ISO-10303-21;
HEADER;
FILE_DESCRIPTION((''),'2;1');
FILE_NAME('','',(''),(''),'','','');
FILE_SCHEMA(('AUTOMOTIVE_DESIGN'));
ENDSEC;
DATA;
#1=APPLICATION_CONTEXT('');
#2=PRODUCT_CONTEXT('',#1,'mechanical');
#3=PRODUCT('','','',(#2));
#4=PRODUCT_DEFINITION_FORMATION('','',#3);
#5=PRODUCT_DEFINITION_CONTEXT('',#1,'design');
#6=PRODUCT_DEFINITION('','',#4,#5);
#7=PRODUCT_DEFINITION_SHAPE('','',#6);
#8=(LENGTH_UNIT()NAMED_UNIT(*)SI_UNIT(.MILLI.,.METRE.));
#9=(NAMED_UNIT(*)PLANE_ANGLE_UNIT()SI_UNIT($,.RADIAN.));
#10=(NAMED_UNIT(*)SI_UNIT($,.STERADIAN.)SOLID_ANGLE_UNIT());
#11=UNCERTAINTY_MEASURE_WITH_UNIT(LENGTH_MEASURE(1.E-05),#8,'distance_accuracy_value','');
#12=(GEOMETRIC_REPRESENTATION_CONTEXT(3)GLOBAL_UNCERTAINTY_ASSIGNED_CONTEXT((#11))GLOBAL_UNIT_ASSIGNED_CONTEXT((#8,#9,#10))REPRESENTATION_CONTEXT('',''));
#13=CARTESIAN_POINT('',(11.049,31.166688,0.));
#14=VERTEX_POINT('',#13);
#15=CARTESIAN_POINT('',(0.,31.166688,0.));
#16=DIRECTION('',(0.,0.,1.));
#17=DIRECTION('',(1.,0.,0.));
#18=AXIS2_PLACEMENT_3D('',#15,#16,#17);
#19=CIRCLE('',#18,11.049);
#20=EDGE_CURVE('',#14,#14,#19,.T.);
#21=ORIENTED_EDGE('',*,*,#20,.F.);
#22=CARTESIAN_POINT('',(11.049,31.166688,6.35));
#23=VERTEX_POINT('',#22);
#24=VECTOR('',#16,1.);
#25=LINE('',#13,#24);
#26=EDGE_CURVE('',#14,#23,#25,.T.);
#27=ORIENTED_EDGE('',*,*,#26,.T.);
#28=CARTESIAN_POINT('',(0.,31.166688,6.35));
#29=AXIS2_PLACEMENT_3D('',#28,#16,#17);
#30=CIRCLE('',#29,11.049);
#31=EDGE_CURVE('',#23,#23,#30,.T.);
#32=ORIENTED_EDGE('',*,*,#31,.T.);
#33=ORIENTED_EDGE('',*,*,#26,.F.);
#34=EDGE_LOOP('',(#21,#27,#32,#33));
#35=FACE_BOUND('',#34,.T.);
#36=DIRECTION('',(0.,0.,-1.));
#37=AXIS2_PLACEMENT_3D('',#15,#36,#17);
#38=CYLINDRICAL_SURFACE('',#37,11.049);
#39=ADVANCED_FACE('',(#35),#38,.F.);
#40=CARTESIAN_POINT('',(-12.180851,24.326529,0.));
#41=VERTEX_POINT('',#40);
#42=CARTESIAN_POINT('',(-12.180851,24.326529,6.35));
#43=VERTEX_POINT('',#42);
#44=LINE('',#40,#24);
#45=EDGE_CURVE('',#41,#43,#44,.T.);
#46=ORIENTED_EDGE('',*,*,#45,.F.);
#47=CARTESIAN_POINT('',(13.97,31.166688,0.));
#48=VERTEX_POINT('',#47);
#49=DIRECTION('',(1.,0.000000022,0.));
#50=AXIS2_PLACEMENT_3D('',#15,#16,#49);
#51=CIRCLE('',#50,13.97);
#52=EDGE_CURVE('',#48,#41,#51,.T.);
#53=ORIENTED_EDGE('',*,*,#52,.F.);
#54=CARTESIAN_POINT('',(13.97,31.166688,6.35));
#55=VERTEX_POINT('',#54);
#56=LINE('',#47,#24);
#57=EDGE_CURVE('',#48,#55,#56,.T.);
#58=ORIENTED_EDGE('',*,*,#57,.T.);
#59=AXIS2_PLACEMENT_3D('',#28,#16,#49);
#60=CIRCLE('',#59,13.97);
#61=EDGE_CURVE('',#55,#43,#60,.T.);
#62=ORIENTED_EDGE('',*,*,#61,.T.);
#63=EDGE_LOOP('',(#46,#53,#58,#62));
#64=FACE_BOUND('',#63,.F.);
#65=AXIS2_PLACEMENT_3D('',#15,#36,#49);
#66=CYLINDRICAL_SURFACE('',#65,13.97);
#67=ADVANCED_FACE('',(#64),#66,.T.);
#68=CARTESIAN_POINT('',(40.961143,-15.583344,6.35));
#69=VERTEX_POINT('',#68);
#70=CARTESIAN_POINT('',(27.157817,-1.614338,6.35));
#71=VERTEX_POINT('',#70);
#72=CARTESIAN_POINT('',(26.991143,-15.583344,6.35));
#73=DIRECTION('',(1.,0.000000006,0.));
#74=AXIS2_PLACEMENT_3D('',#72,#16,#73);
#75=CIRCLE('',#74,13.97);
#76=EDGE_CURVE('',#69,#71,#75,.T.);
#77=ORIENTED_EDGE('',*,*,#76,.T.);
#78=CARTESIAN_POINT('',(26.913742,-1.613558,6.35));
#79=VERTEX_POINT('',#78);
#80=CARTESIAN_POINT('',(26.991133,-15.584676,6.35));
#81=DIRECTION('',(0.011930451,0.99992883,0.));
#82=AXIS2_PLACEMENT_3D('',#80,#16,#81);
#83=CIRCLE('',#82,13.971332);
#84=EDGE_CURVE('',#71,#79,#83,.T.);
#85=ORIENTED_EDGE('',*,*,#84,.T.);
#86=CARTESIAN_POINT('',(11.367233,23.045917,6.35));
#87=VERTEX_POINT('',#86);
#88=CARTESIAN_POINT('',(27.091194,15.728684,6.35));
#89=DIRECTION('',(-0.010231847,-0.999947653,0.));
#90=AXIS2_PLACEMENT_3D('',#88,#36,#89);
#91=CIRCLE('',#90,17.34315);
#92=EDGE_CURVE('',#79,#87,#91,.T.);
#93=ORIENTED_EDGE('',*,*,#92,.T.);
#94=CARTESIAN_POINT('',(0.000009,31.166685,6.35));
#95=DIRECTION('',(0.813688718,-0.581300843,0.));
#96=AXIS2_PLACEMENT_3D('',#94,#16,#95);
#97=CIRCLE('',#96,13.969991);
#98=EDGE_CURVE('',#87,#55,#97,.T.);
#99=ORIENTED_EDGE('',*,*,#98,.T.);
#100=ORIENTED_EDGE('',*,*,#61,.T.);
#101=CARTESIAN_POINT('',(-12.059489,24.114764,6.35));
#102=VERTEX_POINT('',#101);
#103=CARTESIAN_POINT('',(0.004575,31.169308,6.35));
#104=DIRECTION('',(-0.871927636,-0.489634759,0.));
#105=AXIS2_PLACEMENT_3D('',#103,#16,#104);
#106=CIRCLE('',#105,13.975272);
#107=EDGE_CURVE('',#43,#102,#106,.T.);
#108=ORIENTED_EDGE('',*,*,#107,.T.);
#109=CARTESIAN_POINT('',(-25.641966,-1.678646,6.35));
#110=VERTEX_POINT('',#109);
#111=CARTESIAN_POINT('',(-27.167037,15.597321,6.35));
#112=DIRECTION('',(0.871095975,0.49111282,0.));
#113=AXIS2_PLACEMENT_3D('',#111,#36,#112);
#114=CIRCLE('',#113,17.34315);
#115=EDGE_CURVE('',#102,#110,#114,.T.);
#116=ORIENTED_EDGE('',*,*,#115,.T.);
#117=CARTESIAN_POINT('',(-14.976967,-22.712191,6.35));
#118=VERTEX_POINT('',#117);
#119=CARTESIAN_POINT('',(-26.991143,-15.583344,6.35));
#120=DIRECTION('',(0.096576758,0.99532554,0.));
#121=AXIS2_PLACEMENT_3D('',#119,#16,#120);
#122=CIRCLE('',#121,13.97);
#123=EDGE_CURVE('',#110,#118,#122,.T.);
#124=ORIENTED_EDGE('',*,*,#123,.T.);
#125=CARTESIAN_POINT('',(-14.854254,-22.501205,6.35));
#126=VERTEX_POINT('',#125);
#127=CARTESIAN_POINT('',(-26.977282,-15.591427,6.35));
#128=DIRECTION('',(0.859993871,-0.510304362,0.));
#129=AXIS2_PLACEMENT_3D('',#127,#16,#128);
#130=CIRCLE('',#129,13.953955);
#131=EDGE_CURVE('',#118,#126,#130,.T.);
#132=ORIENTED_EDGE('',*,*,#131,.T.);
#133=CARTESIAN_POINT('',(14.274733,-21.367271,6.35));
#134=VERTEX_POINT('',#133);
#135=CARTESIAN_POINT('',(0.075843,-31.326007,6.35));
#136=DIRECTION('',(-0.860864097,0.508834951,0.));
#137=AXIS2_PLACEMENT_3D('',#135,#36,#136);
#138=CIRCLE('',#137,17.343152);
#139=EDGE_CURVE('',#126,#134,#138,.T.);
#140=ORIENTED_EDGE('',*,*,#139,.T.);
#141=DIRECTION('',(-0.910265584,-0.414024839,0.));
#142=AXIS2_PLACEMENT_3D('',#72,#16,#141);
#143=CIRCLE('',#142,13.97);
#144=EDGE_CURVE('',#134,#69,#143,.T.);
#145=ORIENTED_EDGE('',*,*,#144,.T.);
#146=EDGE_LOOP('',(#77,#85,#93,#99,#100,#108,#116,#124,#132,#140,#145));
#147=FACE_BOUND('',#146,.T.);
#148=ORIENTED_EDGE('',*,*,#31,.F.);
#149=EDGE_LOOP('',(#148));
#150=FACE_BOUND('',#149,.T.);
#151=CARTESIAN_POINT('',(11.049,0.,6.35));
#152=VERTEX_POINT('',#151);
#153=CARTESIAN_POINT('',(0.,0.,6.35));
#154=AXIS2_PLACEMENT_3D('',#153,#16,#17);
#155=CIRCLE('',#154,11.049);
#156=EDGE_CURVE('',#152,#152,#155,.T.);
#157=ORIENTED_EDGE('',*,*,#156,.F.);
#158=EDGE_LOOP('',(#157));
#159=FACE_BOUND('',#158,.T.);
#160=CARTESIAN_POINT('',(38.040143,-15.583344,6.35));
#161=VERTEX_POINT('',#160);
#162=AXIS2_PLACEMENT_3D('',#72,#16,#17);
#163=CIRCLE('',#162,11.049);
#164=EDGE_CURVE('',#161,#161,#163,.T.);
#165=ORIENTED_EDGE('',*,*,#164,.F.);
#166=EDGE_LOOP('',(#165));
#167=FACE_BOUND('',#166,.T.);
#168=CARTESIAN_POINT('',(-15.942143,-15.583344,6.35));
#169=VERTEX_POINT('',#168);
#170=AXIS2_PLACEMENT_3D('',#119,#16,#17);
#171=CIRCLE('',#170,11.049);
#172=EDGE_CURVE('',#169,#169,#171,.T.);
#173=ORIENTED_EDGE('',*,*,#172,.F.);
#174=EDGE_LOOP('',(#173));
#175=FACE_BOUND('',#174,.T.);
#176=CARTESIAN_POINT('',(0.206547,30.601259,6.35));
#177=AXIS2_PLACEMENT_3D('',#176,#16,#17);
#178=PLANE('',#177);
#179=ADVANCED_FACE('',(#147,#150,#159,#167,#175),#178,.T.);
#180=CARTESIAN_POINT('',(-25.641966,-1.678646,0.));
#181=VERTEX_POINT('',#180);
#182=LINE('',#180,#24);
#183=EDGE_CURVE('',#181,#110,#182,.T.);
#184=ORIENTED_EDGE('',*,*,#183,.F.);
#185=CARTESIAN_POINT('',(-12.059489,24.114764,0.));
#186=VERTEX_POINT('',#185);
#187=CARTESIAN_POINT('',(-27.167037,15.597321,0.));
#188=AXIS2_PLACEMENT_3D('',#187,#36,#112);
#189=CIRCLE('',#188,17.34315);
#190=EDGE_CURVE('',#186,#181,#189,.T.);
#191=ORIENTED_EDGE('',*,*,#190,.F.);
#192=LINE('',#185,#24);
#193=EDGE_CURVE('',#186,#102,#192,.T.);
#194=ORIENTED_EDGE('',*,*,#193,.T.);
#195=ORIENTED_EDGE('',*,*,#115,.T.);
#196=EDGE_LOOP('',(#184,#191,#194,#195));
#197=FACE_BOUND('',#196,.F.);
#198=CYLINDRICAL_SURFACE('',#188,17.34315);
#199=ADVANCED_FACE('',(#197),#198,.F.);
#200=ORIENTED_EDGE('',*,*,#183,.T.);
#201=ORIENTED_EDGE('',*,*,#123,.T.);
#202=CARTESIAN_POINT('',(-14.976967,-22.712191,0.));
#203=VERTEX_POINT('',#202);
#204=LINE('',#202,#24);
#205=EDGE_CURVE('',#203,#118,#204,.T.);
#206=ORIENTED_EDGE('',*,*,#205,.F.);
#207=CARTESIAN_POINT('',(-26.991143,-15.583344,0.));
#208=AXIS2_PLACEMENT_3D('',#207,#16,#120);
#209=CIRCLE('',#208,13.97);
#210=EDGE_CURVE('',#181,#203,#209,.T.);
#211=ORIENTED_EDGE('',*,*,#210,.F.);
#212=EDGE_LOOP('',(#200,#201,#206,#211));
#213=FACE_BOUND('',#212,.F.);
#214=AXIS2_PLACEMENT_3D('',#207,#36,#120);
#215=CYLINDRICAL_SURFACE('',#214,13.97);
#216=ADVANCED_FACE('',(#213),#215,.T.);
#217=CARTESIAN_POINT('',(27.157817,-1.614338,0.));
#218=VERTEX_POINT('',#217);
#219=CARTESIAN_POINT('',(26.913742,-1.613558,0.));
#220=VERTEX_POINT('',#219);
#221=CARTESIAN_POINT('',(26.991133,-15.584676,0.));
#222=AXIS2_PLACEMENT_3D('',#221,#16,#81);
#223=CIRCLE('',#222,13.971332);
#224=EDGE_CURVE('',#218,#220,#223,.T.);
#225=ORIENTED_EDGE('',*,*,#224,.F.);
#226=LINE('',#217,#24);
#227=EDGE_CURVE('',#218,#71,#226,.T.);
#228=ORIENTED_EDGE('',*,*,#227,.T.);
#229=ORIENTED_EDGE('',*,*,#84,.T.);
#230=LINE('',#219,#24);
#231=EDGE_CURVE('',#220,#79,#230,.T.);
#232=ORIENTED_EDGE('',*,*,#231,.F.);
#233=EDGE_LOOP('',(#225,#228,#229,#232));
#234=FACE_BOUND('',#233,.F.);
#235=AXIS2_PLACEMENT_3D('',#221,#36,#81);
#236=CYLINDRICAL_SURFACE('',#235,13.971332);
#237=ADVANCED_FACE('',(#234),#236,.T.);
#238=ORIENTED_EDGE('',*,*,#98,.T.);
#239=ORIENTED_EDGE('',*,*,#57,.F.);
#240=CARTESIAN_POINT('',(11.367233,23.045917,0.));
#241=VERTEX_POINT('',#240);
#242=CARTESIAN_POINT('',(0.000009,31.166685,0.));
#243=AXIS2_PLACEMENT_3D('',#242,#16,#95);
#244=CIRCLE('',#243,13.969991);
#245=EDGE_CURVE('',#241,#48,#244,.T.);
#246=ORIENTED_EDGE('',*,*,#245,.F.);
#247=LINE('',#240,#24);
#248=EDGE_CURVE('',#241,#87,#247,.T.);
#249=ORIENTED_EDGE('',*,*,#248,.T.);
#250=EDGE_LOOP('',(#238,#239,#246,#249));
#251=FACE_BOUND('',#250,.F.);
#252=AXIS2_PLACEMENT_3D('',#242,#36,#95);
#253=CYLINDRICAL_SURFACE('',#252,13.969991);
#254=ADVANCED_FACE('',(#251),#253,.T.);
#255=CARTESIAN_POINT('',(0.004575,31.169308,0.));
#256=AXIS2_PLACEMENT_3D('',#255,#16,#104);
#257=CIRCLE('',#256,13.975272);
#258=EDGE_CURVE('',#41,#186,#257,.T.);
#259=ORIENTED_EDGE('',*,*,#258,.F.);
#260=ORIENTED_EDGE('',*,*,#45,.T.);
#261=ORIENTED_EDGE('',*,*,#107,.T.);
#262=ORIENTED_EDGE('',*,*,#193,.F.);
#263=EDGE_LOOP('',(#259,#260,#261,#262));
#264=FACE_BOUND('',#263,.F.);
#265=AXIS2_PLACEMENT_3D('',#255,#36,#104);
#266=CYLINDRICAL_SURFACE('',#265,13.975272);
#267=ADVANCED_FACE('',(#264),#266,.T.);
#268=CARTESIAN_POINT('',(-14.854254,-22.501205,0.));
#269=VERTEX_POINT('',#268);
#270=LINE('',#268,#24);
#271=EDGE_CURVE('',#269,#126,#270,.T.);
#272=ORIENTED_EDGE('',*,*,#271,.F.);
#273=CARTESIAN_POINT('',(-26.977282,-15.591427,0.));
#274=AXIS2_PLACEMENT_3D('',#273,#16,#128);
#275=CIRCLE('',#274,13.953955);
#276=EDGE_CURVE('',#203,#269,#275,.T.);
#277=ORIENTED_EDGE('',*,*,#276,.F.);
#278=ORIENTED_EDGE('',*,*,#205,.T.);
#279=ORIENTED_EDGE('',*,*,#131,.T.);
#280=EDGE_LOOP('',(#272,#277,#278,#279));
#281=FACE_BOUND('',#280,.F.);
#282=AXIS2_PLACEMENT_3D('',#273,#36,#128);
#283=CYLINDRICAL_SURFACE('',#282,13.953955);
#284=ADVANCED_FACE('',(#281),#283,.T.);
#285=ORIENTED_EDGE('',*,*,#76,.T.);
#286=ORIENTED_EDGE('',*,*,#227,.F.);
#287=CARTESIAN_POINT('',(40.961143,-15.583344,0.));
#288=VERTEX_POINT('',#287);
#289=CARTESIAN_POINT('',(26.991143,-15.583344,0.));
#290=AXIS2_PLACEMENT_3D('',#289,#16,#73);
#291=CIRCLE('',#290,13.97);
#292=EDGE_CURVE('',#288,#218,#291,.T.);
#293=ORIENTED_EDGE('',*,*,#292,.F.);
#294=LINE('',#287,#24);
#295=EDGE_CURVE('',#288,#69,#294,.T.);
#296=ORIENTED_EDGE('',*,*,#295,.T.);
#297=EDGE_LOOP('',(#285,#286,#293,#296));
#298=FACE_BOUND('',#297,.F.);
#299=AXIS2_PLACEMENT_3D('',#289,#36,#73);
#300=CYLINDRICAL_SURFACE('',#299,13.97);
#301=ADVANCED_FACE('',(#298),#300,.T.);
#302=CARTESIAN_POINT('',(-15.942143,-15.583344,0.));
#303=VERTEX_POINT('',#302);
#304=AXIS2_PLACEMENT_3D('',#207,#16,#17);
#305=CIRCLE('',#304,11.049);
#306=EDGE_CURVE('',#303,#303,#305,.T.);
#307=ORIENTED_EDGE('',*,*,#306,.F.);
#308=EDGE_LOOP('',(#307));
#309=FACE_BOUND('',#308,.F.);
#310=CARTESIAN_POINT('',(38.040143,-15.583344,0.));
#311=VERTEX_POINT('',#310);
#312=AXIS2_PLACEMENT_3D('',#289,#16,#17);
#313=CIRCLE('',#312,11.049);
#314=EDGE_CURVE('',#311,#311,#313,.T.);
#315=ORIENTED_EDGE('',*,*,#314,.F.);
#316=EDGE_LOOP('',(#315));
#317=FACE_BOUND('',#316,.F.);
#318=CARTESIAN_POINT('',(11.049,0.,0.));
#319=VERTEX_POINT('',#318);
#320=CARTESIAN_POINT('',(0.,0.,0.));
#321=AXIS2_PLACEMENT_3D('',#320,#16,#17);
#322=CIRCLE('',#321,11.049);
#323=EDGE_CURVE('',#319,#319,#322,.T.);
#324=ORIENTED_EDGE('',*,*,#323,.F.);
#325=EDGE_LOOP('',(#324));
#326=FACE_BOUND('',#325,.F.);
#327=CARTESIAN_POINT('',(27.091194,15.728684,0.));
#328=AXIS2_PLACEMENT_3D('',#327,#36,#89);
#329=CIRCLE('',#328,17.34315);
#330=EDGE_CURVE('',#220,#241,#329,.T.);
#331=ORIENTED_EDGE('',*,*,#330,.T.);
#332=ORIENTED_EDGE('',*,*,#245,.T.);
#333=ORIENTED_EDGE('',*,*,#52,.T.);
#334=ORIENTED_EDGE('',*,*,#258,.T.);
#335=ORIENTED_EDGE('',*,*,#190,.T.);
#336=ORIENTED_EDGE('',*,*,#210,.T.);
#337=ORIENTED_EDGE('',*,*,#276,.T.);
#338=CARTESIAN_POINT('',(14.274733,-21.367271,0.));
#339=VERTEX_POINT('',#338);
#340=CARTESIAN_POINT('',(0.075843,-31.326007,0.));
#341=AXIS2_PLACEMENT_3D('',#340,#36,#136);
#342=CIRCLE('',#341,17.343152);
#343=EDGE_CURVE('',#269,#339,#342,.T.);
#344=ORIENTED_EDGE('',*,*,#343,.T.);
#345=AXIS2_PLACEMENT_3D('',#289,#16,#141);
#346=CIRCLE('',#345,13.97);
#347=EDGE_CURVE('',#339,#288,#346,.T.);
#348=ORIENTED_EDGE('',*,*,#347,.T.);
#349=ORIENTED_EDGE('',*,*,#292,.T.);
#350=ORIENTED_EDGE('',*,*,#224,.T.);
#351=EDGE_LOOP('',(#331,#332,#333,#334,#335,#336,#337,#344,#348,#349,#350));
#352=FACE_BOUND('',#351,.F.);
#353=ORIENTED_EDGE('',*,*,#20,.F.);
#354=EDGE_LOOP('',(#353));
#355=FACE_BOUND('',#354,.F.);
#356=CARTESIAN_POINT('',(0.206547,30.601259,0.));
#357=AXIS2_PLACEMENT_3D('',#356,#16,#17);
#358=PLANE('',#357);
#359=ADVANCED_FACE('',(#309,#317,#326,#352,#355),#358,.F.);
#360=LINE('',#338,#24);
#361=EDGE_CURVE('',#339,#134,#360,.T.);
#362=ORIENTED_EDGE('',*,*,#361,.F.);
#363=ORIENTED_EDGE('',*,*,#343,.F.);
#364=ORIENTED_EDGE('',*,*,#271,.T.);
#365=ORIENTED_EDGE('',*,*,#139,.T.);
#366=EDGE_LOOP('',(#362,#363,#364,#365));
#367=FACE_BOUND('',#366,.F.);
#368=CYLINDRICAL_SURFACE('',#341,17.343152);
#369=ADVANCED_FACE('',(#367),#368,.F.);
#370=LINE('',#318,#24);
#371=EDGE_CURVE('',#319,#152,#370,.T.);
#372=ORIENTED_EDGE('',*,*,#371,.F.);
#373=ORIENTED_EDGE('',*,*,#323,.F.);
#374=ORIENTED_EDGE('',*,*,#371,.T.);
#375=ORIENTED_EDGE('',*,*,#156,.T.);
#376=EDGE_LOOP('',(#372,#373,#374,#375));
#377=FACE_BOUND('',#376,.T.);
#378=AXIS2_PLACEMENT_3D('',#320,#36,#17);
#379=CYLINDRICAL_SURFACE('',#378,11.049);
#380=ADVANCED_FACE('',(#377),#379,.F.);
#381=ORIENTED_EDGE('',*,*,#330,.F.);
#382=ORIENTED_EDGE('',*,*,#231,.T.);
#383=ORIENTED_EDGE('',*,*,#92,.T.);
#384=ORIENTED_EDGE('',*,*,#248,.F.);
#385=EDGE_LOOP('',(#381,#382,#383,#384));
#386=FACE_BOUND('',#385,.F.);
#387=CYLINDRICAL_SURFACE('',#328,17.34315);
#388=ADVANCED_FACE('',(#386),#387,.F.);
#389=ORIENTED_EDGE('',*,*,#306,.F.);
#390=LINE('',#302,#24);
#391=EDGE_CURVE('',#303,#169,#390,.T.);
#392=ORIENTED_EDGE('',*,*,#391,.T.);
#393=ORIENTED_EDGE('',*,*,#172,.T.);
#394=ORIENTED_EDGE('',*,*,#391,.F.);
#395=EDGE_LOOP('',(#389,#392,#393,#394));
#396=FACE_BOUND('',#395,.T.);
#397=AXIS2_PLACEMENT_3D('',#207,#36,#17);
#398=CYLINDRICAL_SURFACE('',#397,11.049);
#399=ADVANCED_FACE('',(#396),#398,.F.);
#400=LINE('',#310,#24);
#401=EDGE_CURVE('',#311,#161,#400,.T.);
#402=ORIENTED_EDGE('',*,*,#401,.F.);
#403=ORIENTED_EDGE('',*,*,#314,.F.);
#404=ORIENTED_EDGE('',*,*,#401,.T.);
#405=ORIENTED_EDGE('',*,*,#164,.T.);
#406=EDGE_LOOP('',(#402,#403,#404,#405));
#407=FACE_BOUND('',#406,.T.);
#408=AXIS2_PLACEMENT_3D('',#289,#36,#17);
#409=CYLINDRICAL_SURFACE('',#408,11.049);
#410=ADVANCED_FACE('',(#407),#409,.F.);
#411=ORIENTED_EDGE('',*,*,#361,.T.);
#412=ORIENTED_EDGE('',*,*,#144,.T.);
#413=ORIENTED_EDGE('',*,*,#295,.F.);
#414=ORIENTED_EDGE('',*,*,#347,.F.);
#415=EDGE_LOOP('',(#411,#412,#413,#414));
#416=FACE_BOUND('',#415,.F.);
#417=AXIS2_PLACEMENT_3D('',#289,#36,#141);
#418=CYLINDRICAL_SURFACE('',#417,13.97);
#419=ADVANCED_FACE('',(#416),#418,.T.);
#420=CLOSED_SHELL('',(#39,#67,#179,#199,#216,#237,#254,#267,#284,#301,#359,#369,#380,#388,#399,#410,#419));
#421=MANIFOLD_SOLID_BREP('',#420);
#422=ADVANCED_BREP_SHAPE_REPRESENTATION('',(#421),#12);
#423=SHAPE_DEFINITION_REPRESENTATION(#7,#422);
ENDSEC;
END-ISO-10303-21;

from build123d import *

# Parameters (mm, degrees)
F0_R     = 11.049
F1_DEPTH = 6.35
F2_DEPTH = 6.35


with BuildPart() as f1:
    # F0 (on Top) → F1 (new body)
    with BuildSketch(Plane.XY):
        with BuildLine():
            ThreePointArc((11.367233, 23.045917), (13.303405, 26.902848), (13.97, 31.166688))
            ThreePointArc((13.97, 31.166688), (-3.535139, 44.682001), (-12.180851, 24.326529))
            ThreePointArc((-12.180851, 24.326529), (-12.119797, 24.22086), (-12.059489, 24.114764))
            ThreePointArc((-12.059489, 24.114764), (-0.63672, 17.211205), (11.367233, 23.045917))
        make_face()
        with Locations((0, 31.166688)):
            Circle(F0_R, mode=Mode.SUBTRACT)
        with BuildLine():
            ThreePointArc((-12.059489, 24.114764), (-12.119797, 24.22086), (-12.180851, 24.326529))
            ThreePointArc((-12.180851, 24.326529), (-12.120632, 24.220381), (-12.059489, 24.114764))
        make_face()
        with BuildLine():
            ThreePointArc((26.913742, -1.613558), (12.420265, 6.479431), (11.367233, 23.045917))
            ThreePointArc((11.367233, 23.045917), (-0.63672, 17.211205), (-12.059489, 24.114764))
            ThreePointArc((-12.059489, 24.114764), (-11.821484, 7.51655), (-25.641966, -1.678646))
            ThreePointArc((-25.641966, -1.678646), (-16.646848, -6.194177), (-13.021143, -15.583344))
            ThreePointArc((-13.021143, -15.583344), (-13.487195, -19.16165), (-14.854254, -22.501205))
            ThreePointArc((-14.854254, -22.501205), (-0.598781, -13.995981), (14.274733, -21.367271))
            ThreePointArc((14.274733, -21.367271), (15.223701, -8.054187), (26.913742, -1.613558))
        make_face()
        Circle(F0_R, mode=Mode.SUBTRACT)
        with BuildLine():
            ThreePointArc((27.157817, -1.614338), (27.035778, -1.614378), (26.913742, -1.613558))
            ThreePointArc((26.913742, -1.613558), (15.223701, -8.054187), (14.274733, -21.367271))
            ThreePointArc((14.274733, -21.367271), (29.950252, -29.23635), (40.961143, -15.583344))
            ThreePointArc((40.961143, -15.583344), (36.928178, -5.764167), (27.157817, -1.614338))
        make_face()
        with Locations((26.991143, -15.583344)):
            Circle(F0_R, mode=Mode.SUBTRACT)
        with BuildLine():
            ThreePointArc((27.157817, -1.614338), (27.035782, -1.613415), (26.913742, -1.613558))
            ThreePointArc((26.913742, -1.613558), (27.035778, -1.614378), (27.157817, -1.614338))
        make_face()
        with BuildLine():
            ThreePointArc((-13.021143, -15.583344), (-16.646848, -6.194177), (-25.641966, -1.678646))
            ThreePointArc((-25.641966, -1.678646), (-39.450971, -21.901064), (-14.976967, -22.712191))
            ThreePointArc((-14.976967, -22.712191), (-14.915981, -22.606482), (-14.854254, -22.501205))
            ThreePointArc((-14.854254, -22.501205), (-13.487195, -19.16165), (-13.021143, -15.583344))
        make_face()
        with Locations((-26.991143, -15.583344)):
            Circle(F0_R, mode=Mode.SUBTRACT)
        with BuildLine():
            ThreePointArc((-14.854254, -22.501205), (-14.915981, -22.606482), (-14.976967, -22.712191))
            ThreePointArc((-14.976967, -22.712191), (-14.915149, -22.606966), (-14.854254, -22.501205))
        make_face()
    extrude(amount=F1_DEPTH)

    # F0 (on Top) → F2 (join)
    with BuildSketch(Plane.XY):
        with BuildLine():
            ThreePointArc((11.367233, 23.045917), (13.303405, 26.902848), (13.97, 31.166688))
            ThreePointArc((13.97, 31.166688), (-3.535139, 44.682001), (-12.180851, 24.326529))
            ThreePointArc((-12.180851, 24.326529), (-12.119797, 24.22086), (-12.059489, 24.114764))
            ThreePointArc((-12.059489, 24.114764), (-0.63672, 17.211205), (11.367233, 23.045917))
        make_face()
        with Locations((0, 31.166688)):
            Circle(F0_R, mode=Mode.SUBTRACT)
        with BuildLine():
            ThreePointArc((-12.059489, 24.114764), (-12.119797, 24.22086), (-12.180851, 24.326529))
            ThreePointArc((-12.180851, 24.326529), (-12.120632, 24.220381), (-12.059489, 24.114764))
        make_face()
        with BuildLine():
            ThreePointArc((26.913742, -1.613558), (12.420265, 6.479431), (11.367233, 23.045917))
            ThreePointArc((11.367233, 23.045917), (-0.63672, 17.211205), (-12.059489, 24.114764))
            ThreePointArc((-12.059489, 24.114764), (-11.821484, 7.51655), (-25.641966, -1.678646))
            ThreePointArc((-25.641966, -1.678646), (-16.646848, -6.194177), (-13.021143, -15.583344))
            ThreePointArc((-13.021143, -15.583344), (-13.487195, -19.16165), (-14.854254, -22.501205))
            ThreePointArc((-14.854254, -22.501205), (-0.598781, -13.995981), (14.274733, -21.367271))
            ThreePointArc((14.274733, -21.367271), (15.223701, -8.054187), (26.913742, -1.613558))
        make_face()
        Circle(F0_R, mode=Mode.SUBTRACT)
        with BuildLine():
            ThreePointArc((27.157817, -1.614338), (27.035778, -1.614378), (26.913742, -1.613558))
            ThreePointArc((26.913742, -1.613558), (15.223701, -8.054187), (14.274733, -21.367271))
            ThreePointArc((14.274733, -21.367271), (29.950252, -29.23635), (40.961143, -15.583344))
            ThreePointArc((40.961143, -15.583344), (36.928178, -5.764167), (27.157817, -1.614338))
        make_face()
        with Locations((26.991143, -15.583344)):
            Circle(F0_R, mode=Mode.SUBTRACT)
        with BuildLine():
            ThreePointArc((27.157817, -1.614338), (27.035782, -1.613415), (26.913742, -1.613558))
            ThreePointArc((26.913742, -1.613558), (27.035778, -1.614378), (27.157817, -1.614338))
        make_face()
        with BuildLine():
            ThreePointArc((-13.021143, -15.583344), (-16.646848, -6.194177), (-25.641966, -1.678646))
            ThreePointArc((-25.641966, -1.678646), (-39.450971, -21.901064), (-14.976967, -22.712191))
            ThreePointArc((-14.976967, -22.712191), (-14.915981, -22.606482), (-14.854254, -22.501205))
            ThreePointArc((-14.854254, -22.501205), (-13.487195, -19.16165), (-13.021143, -15.583344))
        make_face()
        with Locations((-26.991143, -15.583344)):
            Circle(F0_R, mode=Mode.SUBTRACT)
        with BuildLine():
            ThreePointArc((-14.854254, -22.501205), (-14.915981, -22.606482), (-14.976967, -22.712191))
            ThreePointArc((-14.976967, -22.712191), (-14.915149, -22.606966), (-14.854254, -22.501205))
        make_face()
    extrude(amount=F2_DEPTH)


solid = f1.part
